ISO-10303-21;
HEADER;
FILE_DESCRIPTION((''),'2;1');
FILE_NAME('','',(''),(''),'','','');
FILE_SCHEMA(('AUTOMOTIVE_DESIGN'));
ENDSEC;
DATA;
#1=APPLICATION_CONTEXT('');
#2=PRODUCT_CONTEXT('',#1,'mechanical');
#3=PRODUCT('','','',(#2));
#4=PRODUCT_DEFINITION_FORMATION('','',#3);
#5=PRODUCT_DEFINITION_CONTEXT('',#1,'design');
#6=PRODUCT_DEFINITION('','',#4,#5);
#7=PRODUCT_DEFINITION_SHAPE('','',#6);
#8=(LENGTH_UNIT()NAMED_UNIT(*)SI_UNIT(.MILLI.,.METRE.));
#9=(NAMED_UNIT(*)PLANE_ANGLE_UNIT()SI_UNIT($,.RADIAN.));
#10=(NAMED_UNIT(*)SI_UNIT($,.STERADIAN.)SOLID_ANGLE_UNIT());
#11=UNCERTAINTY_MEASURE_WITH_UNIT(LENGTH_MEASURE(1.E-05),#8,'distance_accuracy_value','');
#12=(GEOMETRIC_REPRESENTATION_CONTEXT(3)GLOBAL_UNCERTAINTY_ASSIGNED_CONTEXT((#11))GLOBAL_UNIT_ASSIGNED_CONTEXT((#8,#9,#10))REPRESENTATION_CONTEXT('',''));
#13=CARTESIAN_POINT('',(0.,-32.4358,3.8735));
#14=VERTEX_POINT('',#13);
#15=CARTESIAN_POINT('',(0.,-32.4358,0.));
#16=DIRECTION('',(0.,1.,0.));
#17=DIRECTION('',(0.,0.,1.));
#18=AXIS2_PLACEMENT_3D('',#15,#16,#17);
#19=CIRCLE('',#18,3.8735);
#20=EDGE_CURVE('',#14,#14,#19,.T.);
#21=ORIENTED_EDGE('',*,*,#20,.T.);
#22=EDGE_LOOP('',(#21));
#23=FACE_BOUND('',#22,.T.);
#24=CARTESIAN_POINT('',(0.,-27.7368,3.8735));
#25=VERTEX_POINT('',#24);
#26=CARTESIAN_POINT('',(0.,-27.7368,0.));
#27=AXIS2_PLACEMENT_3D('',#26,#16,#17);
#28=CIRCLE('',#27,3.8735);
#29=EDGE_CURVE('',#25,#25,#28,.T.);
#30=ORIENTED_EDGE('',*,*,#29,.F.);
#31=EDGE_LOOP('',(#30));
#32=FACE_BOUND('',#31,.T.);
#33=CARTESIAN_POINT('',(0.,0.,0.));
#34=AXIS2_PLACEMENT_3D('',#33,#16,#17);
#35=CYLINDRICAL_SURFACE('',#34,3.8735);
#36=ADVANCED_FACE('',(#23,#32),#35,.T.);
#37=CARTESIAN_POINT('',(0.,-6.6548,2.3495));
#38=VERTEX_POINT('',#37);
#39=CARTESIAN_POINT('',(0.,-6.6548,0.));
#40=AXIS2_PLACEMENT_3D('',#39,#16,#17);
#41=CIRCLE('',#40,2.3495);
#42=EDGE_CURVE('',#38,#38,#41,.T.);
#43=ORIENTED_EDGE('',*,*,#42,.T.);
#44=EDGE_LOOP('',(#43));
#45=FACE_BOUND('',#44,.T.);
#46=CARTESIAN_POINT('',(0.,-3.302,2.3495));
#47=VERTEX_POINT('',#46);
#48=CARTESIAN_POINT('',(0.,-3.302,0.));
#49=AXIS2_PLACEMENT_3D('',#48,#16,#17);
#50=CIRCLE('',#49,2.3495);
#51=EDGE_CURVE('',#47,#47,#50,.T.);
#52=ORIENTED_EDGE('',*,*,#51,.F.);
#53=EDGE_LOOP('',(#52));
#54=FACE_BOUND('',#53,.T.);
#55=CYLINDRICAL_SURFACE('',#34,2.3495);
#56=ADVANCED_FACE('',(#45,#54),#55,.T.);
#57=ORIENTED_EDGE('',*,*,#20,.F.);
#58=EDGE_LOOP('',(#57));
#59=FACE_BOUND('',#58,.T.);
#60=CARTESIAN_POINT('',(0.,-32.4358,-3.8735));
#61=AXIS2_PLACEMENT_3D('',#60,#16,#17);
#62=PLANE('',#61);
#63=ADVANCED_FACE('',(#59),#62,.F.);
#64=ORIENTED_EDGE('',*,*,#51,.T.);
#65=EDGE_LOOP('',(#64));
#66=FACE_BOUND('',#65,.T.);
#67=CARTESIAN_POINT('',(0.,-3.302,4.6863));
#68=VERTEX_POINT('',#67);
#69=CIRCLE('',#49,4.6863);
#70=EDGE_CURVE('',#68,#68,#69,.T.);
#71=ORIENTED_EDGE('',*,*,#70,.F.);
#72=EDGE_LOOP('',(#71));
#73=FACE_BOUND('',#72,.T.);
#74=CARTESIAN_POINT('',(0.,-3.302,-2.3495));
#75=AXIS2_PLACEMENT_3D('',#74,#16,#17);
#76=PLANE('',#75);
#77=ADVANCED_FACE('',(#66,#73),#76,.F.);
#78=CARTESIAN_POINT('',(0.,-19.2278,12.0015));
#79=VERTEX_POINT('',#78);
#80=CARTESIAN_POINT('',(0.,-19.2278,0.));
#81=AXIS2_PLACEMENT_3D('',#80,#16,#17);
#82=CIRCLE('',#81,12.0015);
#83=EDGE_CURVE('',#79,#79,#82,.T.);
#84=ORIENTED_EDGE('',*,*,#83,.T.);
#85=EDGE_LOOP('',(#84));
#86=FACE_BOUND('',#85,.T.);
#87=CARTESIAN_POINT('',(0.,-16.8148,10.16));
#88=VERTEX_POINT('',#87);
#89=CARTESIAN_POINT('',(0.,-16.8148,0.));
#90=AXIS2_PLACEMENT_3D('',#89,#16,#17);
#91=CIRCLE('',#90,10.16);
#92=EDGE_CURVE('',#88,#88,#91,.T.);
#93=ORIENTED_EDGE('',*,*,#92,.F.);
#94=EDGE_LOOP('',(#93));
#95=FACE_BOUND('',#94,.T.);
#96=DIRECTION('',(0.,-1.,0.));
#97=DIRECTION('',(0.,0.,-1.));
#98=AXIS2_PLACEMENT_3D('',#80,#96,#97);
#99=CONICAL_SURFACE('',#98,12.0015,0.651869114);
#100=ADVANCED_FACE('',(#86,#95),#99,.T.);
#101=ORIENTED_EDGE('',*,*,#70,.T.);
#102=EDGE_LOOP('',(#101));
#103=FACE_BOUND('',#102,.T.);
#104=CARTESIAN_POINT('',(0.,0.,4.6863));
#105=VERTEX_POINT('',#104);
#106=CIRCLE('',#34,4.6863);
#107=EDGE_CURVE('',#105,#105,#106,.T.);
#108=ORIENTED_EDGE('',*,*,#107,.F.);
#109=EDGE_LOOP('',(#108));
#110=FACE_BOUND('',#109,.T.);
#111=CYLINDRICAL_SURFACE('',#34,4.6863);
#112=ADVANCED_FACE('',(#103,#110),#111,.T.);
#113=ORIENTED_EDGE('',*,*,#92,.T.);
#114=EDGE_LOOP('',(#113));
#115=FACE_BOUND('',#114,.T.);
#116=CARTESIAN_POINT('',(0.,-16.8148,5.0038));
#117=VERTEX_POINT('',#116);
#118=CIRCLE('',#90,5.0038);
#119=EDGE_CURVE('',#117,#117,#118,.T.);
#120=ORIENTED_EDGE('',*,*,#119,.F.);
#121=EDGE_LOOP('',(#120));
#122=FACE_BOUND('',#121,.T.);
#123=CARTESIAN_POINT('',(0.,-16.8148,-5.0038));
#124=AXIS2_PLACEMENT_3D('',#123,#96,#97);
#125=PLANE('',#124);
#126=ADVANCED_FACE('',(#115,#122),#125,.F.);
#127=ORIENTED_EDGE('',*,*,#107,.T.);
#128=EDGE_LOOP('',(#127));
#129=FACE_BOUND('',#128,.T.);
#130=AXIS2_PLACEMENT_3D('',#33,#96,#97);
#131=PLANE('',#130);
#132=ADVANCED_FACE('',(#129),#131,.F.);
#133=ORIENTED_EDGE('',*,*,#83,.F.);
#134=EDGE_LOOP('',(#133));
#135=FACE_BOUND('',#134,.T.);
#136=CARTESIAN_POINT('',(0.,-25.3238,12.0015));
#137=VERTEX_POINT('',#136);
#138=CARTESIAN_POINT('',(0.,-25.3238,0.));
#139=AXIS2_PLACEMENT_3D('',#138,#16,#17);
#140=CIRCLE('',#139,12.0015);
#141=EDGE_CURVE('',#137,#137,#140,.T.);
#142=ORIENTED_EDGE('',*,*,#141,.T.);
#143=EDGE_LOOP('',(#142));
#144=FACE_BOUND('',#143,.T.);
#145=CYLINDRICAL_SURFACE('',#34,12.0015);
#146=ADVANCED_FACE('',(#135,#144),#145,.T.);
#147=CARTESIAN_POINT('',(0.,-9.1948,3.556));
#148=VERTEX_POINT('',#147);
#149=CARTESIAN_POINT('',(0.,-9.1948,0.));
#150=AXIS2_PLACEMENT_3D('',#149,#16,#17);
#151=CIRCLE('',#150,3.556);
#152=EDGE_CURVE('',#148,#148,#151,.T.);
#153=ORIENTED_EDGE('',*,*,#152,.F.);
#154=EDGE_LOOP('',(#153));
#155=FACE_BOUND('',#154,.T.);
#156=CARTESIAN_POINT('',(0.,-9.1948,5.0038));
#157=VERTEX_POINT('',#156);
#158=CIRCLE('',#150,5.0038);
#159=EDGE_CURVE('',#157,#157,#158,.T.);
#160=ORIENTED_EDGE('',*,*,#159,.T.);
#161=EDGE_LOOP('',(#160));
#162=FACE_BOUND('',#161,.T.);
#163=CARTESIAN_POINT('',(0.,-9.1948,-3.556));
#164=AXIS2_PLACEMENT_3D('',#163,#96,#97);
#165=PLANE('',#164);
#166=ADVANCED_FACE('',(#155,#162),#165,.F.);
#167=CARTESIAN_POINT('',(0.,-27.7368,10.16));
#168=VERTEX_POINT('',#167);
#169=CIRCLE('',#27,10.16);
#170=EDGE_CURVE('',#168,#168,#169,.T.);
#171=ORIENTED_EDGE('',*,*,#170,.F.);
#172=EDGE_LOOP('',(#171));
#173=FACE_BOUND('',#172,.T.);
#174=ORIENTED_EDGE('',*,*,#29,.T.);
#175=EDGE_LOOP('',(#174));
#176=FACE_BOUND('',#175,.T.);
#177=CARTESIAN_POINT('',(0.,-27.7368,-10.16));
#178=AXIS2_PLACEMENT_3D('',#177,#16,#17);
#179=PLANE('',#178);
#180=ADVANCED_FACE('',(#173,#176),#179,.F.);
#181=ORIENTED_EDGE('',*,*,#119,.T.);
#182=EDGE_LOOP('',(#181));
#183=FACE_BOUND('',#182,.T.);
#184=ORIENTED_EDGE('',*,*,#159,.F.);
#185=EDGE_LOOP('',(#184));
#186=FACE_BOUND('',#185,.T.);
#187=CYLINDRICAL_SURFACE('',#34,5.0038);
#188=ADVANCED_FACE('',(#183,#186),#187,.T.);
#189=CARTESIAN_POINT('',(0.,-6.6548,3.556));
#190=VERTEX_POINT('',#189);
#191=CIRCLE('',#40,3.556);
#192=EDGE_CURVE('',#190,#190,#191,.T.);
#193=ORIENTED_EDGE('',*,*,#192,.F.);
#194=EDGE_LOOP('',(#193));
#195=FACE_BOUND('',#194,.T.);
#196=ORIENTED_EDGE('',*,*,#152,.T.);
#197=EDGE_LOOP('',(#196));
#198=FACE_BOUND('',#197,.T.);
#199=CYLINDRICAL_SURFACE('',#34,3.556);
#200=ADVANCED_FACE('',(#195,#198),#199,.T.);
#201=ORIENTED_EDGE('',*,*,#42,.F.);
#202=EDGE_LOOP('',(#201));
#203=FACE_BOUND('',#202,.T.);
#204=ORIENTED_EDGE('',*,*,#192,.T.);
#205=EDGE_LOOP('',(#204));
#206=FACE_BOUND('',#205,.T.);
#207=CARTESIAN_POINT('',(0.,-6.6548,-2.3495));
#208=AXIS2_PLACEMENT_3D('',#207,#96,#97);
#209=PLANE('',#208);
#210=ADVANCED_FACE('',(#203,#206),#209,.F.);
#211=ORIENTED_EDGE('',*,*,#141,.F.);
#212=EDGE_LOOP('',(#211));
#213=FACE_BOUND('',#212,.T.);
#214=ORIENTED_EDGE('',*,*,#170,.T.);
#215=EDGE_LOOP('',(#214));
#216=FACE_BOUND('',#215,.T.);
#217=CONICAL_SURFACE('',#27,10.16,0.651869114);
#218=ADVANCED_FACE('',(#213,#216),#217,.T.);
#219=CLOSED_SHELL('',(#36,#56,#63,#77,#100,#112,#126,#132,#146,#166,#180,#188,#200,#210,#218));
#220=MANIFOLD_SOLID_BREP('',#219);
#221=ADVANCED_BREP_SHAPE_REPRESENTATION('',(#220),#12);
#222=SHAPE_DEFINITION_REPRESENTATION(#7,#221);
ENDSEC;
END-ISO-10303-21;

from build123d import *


with BuildPart() as part:
    # Sketch1 → Revolve1 (revolve)
    with BuildSketch(Plane(origin=(0, 0, 0), x_dir=(0, 0, -1), z_dir=(1, 0, 0))):
        Polygon((0, 0), (0, -32.4358), (3.8735, -32.4358), (3.8735, -27.7368), (10.16, -27.7368), (12.0015, -25.3238), (12.0015, -19.2278), (10.16, -16.8148), (5.0038, -16.8148), (5.0038, -9.1948), (3.556, -9.1948), (3.556, -6.6548), (2.3495, -6.6548), (2.3495, -3.302), (4.6863, -3.302), (4.6863, 0), align=None)
    revolve(axis=Axis((0, 0, 0), (0, -1, 0)))


solid = part.part
